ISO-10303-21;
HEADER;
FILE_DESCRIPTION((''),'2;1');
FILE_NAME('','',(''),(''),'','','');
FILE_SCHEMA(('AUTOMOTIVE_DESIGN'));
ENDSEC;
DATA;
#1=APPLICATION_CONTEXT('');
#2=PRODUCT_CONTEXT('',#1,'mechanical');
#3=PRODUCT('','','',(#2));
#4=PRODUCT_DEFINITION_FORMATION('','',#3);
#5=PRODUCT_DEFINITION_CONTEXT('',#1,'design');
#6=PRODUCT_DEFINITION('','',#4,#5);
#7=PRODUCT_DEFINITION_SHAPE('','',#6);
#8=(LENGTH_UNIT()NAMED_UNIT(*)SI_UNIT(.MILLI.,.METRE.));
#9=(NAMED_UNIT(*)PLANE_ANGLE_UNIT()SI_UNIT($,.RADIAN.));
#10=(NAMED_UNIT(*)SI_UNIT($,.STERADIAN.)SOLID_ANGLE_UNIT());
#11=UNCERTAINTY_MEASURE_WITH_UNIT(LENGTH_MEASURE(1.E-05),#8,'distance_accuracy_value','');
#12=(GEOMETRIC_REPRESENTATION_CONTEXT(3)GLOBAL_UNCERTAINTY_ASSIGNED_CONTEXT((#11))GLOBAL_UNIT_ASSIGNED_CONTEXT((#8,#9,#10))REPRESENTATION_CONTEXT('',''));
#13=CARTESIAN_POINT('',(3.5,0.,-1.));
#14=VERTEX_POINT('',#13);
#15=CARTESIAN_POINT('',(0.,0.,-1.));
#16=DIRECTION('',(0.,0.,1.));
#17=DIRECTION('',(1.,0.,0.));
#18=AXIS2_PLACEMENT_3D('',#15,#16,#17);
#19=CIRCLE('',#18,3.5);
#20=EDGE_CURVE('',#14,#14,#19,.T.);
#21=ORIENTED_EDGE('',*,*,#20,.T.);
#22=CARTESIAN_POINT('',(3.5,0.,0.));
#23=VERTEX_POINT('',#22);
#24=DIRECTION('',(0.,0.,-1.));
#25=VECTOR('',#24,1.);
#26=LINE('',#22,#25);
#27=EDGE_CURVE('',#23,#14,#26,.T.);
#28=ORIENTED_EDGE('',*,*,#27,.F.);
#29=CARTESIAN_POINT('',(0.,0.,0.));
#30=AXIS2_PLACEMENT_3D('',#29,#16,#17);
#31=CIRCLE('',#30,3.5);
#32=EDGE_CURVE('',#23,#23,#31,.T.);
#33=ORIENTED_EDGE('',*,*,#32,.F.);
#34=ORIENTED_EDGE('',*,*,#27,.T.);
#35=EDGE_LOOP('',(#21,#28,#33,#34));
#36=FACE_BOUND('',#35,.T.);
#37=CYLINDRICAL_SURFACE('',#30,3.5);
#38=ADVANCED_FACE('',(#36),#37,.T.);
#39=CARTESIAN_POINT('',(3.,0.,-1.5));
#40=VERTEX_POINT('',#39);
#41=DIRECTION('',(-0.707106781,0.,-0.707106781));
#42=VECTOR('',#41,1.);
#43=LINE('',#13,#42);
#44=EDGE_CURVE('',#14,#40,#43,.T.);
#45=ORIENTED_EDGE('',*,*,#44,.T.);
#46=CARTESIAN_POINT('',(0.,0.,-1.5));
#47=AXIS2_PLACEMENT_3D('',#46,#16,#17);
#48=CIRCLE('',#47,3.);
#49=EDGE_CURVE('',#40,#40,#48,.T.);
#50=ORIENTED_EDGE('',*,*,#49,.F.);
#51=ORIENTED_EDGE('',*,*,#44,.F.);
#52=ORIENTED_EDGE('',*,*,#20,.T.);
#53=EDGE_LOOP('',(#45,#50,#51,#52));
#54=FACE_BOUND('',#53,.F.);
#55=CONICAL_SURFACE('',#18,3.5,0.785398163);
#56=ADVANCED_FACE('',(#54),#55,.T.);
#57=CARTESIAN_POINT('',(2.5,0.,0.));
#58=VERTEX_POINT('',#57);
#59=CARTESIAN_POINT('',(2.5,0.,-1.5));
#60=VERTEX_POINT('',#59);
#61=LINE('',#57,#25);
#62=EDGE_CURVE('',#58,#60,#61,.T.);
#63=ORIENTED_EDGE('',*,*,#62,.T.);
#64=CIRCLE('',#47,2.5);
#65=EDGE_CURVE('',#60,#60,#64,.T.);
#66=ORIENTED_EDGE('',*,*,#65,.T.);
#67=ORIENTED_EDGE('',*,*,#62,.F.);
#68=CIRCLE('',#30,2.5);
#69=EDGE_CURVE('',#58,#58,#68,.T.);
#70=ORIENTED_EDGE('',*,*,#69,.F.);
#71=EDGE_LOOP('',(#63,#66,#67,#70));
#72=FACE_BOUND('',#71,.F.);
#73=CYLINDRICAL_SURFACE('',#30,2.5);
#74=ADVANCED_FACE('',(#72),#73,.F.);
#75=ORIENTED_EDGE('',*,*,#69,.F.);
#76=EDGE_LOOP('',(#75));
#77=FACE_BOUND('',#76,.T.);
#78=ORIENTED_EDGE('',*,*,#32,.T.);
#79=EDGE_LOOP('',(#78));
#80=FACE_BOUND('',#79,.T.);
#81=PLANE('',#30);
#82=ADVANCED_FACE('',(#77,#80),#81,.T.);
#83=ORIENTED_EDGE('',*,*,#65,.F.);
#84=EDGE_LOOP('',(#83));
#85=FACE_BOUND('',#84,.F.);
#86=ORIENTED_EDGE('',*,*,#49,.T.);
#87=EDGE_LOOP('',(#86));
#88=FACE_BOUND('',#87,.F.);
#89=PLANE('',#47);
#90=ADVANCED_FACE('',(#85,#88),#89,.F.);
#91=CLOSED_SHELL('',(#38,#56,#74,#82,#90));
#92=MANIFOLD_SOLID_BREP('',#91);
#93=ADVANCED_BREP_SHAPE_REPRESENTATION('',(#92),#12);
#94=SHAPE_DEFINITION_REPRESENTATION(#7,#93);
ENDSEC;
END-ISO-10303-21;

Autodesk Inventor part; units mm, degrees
ref_plane "YZ Plane" through (0, 0, 0) normal (1, 0, 0) x (0, 1, 0)
ref_plane "XZ Plane" through (0, 0, 0) normal (0, 1, 0) x (-1, 0, 0)
ref_plane "XY Plane" through (0, 0, 0) normal (0, 0, 1) x (1, 0, 0)
sketch "Sketch1" plane through (0, 0, 0) normal (0, 0, 1) x (1, 0, 0)
  circle A0 centre (0, 0) radius 2.5
  circle A1 centre (0, 0) radius 3.5
  dimension "d0" = 5
  dimension "d1" = 7
extrude "Extrusion1" add sketch "Sketch1" against normal blind 1.5
chamfer "Chamfer1" distance 0.5 angle 45 1 edges at (-3.5, 0, -1.5)
properties part number "w1.5f5-7n" material "アセタール樹脂、白"
